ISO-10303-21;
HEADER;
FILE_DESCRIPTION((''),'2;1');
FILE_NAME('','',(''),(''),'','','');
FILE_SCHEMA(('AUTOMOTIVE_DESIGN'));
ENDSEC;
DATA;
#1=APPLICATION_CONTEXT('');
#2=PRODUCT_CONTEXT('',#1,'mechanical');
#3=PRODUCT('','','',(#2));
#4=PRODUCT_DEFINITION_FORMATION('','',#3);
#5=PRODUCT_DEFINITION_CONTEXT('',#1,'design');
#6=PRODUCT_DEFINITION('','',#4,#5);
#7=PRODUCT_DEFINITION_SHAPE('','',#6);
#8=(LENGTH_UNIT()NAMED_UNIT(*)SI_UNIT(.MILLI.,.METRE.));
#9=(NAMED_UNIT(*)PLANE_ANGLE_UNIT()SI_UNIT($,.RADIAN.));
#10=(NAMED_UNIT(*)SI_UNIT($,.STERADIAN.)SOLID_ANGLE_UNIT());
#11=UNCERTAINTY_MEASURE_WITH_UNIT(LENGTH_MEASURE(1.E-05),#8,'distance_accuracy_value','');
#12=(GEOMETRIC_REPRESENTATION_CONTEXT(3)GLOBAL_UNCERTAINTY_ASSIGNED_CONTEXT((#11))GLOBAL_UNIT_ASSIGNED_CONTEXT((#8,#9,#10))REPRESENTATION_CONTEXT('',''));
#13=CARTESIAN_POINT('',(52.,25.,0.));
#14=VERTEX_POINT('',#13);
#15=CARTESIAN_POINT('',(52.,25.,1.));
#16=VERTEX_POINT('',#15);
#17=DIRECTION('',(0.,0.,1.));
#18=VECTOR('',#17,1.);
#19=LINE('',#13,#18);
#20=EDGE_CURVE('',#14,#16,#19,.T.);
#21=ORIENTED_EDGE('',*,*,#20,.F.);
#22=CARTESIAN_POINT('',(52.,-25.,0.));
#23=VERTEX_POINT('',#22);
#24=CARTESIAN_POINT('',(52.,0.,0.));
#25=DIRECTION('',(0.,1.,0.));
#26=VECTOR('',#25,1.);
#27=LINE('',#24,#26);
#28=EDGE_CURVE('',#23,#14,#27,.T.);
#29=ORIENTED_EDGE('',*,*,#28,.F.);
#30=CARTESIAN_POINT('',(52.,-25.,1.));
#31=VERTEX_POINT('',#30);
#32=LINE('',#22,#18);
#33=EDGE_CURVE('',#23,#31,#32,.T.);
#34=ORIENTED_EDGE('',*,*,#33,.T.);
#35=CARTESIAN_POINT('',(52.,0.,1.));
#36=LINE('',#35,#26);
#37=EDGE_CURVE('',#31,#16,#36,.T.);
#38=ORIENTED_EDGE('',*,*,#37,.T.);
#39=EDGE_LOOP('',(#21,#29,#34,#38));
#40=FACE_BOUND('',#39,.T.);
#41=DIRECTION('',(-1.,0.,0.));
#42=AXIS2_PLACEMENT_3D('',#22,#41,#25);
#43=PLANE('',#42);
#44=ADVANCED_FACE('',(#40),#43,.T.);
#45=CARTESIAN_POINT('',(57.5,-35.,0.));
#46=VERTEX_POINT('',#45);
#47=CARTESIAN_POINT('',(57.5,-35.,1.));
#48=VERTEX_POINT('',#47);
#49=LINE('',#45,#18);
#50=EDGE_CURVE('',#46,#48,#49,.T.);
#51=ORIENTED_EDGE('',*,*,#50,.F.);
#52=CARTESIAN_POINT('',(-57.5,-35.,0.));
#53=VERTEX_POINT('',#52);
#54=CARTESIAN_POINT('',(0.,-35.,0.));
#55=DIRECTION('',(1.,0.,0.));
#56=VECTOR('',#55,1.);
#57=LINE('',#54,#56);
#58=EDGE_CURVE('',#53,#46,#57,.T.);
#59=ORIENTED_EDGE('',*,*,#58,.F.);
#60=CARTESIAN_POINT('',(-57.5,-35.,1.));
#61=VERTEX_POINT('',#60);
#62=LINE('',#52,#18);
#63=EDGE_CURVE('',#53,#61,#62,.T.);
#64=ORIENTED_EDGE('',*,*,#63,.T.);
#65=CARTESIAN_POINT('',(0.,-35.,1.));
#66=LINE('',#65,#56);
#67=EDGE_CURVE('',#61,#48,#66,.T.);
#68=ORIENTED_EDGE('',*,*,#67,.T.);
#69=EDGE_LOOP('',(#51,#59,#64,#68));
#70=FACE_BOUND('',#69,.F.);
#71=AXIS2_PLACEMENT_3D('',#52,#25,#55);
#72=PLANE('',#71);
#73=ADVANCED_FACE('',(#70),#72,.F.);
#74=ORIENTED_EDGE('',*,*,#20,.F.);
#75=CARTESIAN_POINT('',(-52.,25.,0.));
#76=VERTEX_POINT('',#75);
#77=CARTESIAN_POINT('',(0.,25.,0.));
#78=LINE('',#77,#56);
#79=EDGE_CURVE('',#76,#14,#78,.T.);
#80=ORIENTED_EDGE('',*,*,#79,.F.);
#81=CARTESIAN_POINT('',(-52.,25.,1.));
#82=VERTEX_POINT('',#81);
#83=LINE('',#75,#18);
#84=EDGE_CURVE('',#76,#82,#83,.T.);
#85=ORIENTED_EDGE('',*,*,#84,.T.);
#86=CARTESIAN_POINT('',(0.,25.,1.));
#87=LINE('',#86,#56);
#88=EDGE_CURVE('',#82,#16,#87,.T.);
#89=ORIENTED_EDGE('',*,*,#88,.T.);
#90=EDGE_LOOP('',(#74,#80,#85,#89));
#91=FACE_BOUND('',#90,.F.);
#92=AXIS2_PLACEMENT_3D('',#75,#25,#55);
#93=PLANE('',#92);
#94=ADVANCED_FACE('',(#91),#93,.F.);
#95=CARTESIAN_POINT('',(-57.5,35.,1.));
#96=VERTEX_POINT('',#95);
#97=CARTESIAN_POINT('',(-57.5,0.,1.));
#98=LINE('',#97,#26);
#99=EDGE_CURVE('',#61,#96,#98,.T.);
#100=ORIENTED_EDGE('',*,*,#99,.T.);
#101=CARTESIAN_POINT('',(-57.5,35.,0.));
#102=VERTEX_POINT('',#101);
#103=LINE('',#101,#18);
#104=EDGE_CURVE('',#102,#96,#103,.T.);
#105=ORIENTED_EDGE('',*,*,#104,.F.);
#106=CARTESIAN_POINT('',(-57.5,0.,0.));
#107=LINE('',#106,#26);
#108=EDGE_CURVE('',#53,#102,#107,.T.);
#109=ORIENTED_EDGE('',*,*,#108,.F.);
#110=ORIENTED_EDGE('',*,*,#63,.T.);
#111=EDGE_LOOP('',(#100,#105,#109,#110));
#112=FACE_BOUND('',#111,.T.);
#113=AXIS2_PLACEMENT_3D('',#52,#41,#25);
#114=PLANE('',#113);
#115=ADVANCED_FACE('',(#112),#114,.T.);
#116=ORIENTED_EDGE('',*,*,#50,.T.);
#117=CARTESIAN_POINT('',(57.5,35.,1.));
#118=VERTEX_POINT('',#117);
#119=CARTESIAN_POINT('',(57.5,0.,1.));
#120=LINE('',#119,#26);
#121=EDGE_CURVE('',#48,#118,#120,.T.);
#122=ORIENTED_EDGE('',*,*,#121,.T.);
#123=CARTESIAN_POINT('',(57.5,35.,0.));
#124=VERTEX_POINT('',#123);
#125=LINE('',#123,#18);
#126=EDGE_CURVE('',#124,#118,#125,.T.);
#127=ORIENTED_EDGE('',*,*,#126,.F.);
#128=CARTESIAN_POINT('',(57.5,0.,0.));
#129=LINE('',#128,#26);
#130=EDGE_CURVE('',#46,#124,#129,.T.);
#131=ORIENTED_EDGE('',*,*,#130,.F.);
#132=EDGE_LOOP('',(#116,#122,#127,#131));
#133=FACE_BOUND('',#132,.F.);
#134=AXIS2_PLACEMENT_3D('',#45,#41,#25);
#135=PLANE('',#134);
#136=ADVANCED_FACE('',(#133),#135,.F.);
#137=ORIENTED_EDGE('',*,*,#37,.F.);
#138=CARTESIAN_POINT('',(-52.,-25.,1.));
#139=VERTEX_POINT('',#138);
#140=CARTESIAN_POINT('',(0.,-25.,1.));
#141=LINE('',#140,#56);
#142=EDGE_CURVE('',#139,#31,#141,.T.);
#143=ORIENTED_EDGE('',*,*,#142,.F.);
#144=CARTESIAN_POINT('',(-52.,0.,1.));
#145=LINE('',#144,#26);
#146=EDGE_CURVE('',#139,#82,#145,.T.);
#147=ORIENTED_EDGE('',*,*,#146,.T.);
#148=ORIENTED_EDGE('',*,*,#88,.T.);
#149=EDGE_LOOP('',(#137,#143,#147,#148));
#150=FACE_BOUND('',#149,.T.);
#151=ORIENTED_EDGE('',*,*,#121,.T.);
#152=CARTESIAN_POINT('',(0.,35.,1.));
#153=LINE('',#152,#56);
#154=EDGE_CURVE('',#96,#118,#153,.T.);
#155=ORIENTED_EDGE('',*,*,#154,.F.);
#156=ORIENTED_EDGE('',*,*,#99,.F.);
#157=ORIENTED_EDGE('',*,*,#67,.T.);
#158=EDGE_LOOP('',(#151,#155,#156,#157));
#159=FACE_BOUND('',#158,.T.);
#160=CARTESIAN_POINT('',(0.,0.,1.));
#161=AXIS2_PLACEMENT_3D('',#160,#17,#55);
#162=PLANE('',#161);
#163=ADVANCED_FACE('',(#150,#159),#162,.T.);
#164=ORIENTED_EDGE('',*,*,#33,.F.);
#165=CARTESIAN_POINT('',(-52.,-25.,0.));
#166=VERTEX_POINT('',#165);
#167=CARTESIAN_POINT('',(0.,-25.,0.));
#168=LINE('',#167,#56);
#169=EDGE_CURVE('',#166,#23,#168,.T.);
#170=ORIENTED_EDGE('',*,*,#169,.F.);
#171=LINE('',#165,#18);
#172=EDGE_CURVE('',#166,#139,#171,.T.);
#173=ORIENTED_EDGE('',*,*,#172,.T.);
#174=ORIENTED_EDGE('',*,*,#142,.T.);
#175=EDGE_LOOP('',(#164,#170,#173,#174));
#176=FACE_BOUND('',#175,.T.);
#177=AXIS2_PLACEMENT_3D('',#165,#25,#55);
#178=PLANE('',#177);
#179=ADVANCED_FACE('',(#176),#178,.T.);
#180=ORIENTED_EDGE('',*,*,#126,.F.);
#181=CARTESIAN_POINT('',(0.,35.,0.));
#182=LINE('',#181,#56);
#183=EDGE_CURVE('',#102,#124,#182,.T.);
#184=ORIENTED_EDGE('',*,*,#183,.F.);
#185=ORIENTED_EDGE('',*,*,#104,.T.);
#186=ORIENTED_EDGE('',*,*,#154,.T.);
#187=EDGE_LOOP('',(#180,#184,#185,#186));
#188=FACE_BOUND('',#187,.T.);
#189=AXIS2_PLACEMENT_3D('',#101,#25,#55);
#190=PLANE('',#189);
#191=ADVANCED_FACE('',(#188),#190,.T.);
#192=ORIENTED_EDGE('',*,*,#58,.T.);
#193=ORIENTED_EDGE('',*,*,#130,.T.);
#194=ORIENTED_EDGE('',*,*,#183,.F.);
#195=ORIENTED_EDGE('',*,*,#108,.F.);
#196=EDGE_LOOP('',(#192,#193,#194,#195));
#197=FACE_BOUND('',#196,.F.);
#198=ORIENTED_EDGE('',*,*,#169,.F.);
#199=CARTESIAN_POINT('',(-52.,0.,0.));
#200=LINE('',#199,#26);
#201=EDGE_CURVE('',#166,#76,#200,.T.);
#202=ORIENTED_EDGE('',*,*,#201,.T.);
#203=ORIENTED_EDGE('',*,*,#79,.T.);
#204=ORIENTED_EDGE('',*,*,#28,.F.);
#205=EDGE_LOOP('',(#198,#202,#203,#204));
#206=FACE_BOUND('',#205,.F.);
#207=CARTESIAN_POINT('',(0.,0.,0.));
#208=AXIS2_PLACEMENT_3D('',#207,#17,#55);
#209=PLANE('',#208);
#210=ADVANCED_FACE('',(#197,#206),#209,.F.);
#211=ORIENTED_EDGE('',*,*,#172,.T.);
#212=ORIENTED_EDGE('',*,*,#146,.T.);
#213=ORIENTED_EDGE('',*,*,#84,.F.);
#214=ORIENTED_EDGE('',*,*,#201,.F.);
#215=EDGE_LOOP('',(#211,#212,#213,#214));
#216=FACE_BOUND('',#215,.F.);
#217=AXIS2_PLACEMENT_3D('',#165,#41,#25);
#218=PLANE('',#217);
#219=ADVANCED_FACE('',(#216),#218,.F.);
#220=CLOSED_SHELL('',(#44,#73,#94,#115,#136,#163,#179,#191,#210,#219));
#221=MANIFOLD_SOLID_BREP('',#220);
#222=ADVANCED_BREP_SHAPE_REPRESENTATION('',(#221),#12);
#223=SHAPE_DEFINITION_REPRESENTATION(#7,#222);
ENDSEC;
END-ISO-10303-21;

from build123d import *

# Parameters (mm, degrees)
SKETCH_W   = 115
SKETCH_H   = 70
SKETCH_W_2 = 104
SKETCH_H_2 = 50
PAD_DEPTH  = 1


with BuildPart() as part:
    # Sketch → Pad (new body)
    with BuildSketch(Plane.XY):
        Rectangle(SKETCH_W, SKETCH_H)
        Rectangle(SKETCH_W_2, SKETCH_H_2, mode=Mode.SUBTRACT)
    extrude(amount=PAD_DEPTH)


solid = part.part
